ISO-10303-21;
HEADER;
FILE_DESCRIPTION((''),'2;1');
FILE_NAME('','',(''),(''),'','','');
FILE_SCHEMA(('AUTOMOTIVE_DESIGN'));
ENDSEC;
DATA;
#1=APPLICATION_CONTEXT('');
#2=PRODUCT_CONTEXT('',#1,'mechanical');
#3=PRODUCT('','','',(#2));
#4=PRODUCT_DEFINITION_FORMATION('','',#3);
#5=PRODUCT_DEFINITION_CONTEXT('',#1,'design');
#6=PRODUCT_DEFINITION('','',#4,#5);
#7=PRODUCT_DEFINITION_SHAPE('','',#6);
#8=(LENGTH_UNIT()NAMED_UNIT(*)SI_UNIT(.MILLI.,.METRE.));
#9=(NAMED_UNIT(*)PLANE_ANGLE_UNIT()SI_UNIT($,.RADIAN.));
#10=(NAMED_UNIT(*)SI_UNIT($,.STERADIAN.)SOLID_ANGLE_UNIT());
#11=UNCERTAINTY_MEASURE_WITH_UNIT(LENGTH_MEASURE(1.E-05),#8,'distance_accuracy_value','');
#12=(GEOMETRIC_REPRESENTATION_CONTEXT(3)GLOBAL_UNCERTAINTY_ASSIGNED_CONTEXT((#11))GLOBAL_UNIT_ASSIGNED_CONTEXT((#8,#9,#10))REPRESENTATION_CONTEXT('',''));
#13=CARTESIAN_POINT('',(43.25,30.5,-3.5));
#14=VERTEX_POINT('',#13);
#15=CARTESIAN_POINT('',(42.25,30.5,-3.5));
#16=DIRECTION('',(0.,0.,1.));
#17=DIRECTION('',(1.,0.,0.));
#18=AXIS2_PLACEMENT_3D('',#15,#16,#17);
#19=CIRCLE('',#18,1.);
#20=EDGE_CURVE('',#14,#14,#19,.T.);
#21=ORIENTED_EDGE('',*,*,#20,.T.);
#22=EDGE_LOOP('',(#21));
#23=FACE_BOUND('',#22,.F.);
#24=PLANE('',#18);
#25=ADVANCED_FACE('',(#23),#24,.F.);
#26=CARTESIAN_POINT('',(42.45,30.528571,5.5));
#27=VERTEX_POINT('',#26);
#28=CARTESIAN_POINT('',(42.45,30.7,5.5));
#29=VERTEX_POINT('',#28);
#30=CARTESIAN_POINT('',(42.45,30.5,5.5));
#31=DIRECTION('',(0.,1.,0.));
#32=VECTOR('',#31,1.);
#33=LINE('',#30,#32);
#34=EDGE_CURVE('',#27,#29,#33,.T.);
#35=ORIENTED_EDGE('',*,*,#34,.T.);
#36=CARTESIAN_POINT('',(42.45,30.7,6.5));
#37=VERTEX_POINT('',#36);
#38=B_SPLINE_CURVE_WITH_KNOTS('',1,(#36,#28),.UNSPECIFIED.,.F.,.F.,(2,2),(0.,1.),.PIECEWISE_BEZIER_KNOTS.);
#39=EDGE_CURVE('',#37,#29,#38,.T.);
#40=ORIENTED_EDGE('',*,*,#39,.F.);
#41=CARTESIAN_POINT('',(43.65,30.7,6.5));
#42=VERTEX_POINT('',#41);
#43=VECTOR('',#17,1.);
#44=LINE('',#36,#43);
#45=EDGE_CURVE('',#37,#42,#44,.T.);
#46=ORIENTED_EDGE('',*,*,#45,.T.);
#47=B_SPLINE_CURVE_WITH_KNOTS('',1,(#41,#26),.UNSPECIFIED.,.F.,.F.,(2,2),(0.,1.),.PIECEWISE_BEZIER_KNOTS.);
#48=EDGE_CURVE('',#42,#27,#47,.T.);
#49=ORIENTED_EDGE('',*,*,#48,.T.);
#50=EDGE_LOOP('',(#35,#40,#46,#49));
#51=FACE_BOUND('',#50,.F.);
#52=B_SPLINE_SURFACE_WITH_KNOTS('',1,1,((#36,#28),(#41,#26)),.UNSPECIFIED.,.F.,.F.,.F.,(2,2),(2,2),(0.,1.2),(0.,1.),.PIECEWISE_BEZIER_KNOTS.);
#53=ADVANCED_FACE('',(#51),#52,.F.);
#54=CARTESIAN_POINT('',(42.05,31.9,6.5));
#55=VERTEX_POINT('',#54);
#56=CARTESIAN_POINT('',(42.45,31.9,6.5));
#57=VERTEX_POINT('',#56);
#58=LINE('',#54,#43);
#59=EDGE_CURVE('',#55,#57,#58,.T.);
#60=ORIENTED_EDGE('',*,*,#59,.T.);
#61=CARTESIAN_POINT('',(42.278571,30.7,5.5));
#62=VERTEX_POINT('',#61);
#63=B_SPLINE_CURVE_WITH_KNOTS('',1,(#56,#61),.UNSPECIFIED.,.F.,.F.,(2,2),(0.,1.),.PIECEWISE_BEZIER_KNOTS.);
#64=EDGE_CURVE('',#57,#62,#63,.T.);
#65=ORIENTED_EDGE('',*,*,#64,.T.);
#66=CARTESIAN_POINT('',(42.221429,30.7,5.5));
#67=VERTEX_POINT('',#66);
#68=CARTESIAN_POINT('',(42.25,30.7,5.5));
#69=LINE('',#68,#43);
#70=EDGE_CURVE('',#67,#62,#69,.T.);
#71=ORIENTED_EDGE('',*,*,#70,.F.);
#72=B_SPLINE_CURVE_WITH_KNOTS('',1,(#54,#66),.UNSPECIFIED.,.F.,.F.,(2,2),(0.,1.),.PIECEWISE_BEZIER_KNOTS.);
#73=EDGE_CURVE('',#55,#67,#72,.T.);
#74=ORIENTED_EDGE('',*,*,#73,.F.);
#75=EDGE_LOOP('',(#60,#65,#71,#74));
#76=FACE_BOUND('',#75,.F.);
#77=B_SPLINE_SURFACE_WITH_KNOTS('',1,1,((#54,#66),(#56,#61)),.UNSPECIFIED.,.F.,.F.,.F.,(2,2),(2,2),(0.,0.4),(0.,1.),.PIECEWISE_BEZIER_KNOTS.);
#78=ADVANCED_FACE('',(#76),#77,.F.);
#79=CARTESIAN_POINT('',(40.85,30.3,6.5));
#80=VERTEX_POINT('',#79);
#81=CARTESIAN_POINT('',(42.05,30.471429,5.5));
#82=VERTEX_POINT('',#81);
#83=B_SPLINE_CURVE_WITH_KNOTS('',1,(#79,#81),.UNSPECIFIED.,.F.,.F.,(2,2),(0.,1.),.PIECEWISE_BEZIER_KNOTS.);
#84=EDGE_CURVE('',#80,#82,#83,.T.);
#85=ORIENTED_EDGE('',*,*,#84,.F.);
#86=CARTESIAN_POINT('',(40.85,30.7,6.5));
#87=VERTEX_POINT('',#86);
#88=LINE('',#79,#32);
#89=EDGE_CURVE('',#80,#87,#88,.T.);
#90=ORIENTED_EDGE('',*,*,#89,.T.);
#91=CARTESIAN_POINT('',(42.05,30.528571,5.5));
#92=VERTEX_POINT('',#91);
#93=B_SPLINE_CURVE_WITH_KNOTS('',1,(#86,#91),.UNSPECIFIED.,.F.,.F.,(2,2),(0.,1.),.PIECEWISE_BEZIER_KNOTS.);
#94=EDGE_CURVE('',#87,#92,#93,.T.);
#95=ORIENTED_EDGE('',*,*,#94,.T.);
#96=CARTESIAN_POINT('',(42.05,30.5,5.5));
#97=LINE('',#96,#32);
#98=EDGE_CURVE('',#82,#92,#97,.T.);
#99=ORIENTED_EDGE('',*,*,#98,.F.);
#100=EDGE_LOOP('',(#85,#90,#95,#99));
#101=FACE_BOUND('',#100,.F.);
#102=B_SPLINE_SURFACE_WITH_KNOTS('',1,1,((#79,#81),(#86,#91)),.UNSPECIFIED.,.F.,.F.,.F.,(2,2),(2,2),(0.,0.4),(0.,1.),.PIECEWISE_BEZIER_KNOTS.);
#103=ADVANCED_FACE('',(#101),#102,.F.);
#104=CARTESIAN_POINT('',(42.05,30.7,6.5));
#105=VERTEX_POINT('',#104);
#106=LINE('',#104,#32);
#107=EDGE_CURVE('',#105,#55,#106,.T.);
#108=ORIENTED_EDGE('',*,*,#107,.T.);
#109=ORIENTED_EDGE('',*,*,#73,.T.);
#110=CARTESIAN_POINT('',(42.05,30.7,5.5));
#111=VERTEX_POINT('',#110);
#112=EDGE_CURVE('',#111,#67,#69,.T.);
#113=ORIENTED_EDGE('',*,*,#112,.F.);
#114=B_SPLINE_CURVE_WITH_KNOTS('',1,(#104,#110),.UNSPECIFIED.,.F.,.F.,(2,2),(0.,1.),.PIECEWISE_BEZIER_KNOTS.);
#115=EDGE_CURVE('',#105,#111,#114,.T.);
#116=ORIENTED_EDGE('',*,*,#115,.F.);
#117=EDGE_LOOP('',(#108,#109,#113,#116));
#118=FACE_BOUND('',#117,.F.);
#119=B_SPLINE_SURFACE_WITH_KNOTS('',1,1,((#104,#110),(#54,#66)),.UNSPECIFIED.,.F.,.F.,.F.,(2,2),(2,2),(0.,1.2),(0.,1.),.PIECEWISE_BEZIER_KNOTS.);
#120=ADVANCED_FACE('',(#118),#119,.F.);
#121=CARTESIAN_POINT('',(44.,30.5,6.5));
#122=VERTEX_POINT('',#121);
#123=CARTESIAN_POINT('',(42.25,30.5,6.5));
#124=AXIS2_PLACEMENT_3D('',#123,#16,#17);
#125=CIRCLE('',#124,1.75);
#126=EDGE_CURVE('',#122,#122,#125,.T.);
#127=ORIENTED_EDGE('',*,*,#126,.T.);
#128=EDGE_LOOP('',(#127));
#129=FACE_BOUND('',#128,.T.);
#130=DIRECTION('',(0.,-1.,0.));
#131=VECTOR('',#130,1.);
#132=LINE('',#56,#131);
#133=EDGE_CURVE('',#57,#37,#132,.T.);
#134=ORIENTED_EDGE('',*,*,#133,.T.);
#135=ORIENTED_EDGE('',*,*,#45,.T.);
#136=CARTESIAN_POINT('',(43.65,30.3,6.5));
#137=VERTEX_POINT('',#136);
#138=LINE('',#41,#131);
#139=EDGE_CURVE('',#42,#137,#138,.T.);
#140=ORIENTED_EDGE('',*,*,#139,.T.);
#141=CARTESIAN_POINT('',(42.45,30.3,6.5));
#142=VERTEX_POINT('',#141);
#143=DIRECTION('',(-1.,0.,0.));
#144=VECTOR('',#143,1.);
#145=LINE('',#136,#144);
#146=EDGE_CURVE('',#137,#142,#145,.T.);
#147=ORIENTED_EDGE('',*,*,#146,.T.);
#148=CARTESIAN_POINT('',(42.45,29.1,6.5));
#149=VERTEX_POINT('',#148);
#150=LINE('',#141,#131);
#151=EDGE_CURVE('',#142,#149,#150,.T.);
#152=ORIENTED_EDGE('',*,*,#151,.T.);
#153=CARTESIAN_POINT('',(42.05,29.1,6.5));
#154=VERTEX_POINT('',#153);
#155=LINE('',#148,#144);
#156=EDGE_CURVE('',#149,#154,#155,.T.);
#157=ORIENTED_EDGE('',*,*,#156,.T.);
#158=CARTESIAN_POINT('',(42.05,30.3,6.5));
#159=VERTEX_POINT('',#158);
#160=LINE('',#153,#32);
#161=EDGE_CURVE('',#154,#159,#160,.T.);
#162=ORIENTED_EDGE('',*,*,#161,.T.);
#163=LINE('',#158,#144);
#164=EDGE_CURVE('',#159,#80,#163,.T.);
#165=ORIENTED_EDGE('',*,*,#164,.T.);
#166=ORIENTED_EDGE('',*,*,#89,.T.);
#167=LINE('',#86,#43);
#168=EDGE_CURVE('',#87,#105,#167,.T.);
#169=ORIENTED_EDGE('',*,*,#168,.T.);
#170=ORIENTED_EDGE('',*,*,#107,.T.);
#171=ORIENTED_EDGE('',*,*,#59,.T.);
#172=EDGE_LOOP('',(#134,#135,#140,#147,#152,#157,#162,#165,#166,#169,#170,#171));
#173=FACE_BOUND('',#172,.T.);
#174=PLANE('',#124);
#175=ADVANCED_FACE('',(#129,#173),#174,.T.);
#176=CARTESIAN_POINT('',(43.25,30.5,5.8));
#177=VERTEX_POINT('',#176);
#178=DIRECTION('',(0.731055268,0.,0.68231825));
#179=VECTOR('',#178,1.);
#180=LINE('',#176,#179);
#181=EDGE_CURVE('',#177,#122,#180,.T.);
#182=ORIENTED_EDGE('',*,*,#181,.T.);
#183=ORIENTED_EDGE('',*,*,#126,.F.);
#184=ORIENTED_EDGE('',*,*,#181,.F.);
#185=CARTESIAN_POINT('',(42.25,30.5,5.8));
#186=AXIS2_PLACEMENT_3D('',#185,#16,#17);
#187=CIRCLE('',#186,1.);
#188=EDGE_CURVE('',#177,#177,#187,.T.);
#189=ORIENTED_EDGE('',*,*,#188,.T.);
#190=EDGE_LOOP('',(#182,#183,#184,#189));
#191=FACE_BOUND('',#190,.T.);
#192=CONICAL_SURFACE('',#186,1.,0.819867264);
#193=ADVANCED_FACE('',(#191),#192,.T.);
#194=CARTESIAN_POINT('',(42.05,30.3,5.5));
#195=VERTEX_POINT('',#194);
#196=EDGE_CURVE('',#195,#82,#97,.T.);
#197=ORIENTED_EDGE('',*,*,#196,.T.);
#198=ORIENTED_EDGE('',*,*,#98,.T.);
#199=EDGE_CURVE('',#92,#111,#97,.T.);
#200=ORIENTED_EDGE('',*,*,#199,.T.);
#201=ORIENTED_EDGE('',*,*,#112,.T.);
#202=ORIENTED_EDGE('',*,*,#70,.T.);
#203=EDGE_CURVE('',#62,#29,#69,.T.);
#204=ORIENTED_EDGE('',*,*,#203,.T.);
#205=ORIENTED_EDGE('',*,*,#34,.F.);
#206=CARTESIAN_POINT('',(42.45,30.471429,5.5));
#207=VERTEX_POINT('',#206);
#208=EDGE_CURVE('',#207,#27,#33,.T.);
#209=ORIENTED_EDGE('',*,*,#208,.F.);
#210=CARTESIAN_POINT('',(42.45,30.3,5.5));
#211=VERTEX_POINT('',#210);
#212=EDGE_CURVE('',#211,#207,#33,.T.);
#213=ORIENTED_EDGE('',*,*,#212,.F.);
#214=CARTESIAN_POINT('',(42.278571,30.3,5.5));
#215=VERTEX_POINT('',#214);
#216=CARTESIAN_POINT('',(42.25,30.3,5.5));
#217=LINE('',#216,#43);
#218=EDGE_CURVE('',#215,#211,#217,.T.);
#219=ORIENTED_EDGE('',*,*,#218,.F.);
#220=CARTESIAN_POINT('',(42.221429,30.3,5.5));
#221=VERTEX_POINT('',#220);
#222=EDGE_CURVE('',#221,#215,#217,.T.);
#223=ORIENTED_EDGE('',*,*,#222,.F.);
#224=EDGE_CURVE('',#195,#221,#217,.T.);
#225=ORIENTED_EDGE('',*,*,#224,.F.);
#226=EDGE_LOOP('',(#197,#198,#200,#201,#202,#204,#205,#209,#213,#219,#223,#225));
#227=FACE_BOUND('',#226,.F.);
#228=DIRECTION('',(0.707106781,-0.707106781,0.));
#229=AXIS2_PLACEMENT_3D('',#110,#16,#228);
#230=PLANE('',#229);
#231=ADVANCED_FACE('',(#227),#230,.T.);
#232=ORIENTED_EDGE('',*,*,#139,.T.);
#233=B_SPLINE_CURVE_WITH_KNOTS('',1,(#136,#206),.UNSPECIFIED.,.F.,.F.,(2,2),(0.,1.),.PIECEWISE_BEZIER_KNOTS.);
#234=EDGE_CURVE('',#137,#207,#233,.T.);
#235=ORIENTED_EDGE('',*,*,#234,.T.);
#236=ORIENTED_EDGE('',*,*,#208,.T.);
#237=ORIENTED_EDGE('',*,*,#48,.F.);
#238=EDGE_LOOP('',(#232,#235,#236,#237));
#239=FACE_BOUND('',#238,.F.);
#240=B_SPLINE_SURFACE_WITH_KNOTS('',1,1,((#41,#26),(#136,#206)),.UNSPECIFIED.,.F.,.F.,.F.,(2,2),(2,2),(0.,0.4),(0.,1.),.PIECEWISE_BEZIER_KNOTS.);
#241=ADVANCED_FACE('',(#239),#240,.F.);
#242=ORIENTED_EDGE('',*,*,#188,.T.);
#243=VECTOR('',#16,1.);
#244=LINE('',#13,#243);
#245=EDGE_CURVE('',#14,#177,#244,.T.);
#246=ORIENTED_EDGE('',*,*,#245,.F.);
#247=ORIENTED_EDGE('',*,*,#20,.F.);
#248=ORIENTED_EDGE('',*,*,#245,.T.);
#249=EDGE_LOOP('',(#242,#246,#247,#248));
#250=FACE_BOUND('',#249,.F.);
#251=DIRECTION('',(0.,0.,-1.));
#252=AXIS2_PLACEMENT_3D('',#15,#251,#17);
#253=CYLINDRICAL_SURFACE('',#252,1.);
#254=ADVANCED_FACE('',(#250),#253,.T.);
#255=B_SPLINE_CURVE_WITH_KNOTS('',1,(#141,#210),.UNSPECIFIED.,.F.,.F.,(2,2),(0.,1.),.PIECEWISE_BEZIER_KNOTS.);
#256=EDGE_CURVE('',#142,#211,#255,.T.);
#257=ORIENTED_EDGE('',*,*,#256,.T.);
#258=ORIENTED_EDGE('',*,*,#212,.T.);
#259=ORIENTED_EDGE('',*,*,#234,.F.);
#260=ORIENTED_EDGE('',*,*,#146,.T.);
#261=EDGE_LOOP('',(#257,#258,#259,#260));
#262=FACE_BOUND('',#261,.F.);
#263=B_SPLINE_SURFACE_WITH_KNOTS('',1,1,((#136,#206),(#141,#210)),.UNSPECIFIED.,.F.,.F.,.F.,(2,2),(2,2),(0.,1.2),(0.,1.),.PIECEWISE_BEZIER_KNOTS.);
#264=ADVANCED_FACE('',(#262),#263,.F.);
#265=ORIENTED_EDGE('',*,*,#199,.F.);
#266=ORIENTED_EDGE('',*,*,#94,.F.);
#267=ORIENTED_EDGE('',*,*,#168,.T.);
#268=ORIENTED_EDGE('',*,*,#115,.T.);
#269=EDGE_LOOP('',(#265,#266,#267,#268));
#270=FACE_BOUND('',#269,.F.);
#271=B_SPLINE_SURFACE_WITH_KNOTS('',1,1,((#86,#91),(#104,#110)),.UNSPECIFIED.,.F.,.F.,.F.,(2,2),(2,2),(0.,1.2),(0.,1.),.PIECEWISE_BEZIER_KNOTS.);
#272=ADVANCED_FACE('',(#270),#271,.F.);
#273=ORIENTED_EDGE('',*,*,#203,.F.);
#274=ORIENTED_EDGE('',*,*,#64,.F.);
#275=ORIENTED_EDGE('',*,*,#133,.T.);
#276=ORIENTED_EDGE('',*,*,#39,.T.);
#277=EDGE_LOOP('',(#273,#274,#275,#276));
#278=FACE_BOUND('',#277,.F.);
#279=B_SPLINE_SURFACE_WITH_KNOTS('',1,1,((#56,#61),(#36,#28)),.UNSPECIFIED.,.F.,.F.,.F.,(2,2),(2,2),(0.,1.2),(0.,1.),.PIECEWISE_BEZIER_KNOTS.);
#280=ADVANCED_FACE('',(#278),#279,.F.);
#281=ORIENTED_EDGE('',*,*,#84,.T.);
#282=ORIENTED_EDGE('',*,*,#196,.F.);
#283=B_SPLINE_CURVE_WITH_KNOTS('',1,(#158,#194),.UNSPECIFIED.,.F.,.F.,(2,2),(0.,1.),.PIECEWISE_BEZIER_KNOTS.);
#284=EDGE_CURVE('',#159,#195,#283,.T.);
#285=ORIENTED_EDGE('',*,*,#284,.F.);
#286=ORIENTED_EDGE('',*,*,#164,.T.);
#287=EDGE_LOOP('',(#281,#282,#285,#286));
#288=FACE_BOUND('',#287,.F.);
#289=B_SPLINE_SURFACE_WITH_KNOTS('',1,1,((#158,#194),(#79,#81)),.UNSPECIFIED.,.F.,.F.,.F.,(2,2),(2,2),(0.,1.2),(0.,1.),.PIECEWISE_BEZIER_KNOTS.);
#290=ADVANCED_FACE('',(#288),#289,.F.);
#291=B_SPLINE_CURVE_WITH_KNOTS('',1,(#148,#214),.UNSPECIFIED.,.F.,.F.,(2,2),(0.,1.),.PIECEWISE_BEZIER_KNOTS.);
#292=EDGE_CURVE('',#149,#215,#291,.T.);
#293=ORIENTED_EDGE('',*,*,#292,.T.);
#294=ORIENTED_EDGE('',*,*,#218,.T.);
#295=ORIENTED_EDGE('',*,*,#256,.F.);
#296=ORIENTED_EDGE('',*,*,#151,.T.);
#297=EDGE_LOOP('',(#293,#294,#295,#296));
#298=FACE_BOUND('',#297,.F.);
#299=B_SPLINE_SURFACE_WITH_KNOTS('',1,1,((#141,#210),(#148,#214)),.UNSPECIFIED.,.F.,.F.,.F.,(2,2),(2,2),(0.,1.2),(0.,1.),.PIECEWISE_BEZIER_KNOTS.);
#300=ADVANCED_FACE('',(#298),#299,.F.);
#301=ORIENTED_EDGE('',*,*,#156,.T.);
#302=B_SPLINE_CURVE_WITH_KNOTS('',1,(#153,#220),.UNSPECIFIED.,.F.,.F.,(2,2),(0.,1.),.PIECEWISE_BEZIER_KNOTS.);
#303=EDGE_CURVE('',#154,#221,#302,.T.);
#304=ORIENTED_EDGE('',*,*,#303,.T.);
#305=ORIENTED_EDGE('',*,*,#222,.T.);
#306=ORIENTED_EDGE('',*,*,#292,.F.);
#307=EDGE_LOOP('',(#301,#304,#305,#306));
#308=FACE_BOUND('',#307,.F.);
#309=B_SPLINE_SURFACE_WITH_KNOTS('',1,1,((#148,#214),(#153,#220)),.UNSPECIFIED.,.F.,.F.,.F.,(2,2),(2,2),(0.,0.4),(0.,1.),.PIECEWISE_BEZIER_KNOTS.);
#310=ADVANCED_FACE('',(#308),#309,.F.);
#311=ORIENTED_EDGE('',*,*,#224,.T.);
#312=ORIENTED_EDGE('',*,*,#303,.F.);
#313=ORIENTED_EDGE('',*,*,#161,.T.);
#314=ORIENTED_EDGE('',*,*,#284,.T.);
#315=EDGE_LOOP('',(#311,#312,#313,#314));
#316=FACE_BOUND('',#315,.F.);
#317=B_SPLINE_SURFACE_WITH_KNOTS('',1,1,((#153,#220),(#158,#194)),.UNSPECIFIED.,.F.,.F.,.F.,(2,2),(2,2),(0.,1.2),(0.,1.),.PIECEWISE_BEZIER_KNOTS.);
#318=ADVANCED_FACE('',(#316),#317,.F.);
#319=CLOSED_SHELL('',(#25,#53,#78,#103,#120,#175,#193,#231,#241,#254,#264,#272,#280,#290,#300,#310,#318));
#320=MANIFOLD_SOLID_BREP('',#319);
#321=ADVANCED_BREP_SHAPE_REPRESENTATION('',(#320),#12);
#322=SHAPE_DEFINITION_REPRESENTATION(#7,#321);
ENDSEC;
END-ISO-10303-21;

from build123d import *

# Parameters (mm, degrees)
CYLINDER023_R     = 1
CYLINDER023_DEPTH = 9.5
SKETCH011_W       = 0.4
SKETCH011_H       = 0.4


with BuildPart() as part:
    # Cylinder023 → Cylinder023 (join)
    with BuildSketch(Plane.XY):
        Circle(CYLINDER023_R)
    extrude(amount=CYLINDER023_DEPTH)

    # Cone003 → Cone003 (revolve)
    with BuildSketch(Plane(origin=(0, 0, 9.3), x_dir=(1, 0, 0), z_dir=(0, -1, 0))):
        Polygon((0, 0), (1, 0), (1.75, 0.7), (0, 0.7), align=None)
    revolve(axis=Axis((0, 0, 9.3), (0, 0, 1)))

    # Sketch010 (on Face4 of Cone003) → SubtractiveLoft001 section 0
    with BuildSketch(Plane.XY.offset(10)):
        Polygon((-0.2, 0.2), (-0.2, 1.4), (0.2, 1.4), (0.2, 0.2), (1.4, 0.2), (1.4, -0.2), (0.2, -0.2), (0.2, -1.4), (-0.2, -1.4), (-0.2, -0.2), (-1.4, -0.2), (-1.4, 0.2), align=None)
    # Sketch011 (on Face4 of Cone003) → SubtractiveLoft001 section 1
    with BuildSketch(Plane.XY.offset(9)):
        Rectangle(SKETCH011_W, SKETCH011_H)
    loft(mode=Mode.SUBTRACT)


with BuildPart() as part_1:
    # Body011 placement: moved
    add(part.part.moved(Location((42.25, 30.5, -3.5))))


solid = part_1.part
